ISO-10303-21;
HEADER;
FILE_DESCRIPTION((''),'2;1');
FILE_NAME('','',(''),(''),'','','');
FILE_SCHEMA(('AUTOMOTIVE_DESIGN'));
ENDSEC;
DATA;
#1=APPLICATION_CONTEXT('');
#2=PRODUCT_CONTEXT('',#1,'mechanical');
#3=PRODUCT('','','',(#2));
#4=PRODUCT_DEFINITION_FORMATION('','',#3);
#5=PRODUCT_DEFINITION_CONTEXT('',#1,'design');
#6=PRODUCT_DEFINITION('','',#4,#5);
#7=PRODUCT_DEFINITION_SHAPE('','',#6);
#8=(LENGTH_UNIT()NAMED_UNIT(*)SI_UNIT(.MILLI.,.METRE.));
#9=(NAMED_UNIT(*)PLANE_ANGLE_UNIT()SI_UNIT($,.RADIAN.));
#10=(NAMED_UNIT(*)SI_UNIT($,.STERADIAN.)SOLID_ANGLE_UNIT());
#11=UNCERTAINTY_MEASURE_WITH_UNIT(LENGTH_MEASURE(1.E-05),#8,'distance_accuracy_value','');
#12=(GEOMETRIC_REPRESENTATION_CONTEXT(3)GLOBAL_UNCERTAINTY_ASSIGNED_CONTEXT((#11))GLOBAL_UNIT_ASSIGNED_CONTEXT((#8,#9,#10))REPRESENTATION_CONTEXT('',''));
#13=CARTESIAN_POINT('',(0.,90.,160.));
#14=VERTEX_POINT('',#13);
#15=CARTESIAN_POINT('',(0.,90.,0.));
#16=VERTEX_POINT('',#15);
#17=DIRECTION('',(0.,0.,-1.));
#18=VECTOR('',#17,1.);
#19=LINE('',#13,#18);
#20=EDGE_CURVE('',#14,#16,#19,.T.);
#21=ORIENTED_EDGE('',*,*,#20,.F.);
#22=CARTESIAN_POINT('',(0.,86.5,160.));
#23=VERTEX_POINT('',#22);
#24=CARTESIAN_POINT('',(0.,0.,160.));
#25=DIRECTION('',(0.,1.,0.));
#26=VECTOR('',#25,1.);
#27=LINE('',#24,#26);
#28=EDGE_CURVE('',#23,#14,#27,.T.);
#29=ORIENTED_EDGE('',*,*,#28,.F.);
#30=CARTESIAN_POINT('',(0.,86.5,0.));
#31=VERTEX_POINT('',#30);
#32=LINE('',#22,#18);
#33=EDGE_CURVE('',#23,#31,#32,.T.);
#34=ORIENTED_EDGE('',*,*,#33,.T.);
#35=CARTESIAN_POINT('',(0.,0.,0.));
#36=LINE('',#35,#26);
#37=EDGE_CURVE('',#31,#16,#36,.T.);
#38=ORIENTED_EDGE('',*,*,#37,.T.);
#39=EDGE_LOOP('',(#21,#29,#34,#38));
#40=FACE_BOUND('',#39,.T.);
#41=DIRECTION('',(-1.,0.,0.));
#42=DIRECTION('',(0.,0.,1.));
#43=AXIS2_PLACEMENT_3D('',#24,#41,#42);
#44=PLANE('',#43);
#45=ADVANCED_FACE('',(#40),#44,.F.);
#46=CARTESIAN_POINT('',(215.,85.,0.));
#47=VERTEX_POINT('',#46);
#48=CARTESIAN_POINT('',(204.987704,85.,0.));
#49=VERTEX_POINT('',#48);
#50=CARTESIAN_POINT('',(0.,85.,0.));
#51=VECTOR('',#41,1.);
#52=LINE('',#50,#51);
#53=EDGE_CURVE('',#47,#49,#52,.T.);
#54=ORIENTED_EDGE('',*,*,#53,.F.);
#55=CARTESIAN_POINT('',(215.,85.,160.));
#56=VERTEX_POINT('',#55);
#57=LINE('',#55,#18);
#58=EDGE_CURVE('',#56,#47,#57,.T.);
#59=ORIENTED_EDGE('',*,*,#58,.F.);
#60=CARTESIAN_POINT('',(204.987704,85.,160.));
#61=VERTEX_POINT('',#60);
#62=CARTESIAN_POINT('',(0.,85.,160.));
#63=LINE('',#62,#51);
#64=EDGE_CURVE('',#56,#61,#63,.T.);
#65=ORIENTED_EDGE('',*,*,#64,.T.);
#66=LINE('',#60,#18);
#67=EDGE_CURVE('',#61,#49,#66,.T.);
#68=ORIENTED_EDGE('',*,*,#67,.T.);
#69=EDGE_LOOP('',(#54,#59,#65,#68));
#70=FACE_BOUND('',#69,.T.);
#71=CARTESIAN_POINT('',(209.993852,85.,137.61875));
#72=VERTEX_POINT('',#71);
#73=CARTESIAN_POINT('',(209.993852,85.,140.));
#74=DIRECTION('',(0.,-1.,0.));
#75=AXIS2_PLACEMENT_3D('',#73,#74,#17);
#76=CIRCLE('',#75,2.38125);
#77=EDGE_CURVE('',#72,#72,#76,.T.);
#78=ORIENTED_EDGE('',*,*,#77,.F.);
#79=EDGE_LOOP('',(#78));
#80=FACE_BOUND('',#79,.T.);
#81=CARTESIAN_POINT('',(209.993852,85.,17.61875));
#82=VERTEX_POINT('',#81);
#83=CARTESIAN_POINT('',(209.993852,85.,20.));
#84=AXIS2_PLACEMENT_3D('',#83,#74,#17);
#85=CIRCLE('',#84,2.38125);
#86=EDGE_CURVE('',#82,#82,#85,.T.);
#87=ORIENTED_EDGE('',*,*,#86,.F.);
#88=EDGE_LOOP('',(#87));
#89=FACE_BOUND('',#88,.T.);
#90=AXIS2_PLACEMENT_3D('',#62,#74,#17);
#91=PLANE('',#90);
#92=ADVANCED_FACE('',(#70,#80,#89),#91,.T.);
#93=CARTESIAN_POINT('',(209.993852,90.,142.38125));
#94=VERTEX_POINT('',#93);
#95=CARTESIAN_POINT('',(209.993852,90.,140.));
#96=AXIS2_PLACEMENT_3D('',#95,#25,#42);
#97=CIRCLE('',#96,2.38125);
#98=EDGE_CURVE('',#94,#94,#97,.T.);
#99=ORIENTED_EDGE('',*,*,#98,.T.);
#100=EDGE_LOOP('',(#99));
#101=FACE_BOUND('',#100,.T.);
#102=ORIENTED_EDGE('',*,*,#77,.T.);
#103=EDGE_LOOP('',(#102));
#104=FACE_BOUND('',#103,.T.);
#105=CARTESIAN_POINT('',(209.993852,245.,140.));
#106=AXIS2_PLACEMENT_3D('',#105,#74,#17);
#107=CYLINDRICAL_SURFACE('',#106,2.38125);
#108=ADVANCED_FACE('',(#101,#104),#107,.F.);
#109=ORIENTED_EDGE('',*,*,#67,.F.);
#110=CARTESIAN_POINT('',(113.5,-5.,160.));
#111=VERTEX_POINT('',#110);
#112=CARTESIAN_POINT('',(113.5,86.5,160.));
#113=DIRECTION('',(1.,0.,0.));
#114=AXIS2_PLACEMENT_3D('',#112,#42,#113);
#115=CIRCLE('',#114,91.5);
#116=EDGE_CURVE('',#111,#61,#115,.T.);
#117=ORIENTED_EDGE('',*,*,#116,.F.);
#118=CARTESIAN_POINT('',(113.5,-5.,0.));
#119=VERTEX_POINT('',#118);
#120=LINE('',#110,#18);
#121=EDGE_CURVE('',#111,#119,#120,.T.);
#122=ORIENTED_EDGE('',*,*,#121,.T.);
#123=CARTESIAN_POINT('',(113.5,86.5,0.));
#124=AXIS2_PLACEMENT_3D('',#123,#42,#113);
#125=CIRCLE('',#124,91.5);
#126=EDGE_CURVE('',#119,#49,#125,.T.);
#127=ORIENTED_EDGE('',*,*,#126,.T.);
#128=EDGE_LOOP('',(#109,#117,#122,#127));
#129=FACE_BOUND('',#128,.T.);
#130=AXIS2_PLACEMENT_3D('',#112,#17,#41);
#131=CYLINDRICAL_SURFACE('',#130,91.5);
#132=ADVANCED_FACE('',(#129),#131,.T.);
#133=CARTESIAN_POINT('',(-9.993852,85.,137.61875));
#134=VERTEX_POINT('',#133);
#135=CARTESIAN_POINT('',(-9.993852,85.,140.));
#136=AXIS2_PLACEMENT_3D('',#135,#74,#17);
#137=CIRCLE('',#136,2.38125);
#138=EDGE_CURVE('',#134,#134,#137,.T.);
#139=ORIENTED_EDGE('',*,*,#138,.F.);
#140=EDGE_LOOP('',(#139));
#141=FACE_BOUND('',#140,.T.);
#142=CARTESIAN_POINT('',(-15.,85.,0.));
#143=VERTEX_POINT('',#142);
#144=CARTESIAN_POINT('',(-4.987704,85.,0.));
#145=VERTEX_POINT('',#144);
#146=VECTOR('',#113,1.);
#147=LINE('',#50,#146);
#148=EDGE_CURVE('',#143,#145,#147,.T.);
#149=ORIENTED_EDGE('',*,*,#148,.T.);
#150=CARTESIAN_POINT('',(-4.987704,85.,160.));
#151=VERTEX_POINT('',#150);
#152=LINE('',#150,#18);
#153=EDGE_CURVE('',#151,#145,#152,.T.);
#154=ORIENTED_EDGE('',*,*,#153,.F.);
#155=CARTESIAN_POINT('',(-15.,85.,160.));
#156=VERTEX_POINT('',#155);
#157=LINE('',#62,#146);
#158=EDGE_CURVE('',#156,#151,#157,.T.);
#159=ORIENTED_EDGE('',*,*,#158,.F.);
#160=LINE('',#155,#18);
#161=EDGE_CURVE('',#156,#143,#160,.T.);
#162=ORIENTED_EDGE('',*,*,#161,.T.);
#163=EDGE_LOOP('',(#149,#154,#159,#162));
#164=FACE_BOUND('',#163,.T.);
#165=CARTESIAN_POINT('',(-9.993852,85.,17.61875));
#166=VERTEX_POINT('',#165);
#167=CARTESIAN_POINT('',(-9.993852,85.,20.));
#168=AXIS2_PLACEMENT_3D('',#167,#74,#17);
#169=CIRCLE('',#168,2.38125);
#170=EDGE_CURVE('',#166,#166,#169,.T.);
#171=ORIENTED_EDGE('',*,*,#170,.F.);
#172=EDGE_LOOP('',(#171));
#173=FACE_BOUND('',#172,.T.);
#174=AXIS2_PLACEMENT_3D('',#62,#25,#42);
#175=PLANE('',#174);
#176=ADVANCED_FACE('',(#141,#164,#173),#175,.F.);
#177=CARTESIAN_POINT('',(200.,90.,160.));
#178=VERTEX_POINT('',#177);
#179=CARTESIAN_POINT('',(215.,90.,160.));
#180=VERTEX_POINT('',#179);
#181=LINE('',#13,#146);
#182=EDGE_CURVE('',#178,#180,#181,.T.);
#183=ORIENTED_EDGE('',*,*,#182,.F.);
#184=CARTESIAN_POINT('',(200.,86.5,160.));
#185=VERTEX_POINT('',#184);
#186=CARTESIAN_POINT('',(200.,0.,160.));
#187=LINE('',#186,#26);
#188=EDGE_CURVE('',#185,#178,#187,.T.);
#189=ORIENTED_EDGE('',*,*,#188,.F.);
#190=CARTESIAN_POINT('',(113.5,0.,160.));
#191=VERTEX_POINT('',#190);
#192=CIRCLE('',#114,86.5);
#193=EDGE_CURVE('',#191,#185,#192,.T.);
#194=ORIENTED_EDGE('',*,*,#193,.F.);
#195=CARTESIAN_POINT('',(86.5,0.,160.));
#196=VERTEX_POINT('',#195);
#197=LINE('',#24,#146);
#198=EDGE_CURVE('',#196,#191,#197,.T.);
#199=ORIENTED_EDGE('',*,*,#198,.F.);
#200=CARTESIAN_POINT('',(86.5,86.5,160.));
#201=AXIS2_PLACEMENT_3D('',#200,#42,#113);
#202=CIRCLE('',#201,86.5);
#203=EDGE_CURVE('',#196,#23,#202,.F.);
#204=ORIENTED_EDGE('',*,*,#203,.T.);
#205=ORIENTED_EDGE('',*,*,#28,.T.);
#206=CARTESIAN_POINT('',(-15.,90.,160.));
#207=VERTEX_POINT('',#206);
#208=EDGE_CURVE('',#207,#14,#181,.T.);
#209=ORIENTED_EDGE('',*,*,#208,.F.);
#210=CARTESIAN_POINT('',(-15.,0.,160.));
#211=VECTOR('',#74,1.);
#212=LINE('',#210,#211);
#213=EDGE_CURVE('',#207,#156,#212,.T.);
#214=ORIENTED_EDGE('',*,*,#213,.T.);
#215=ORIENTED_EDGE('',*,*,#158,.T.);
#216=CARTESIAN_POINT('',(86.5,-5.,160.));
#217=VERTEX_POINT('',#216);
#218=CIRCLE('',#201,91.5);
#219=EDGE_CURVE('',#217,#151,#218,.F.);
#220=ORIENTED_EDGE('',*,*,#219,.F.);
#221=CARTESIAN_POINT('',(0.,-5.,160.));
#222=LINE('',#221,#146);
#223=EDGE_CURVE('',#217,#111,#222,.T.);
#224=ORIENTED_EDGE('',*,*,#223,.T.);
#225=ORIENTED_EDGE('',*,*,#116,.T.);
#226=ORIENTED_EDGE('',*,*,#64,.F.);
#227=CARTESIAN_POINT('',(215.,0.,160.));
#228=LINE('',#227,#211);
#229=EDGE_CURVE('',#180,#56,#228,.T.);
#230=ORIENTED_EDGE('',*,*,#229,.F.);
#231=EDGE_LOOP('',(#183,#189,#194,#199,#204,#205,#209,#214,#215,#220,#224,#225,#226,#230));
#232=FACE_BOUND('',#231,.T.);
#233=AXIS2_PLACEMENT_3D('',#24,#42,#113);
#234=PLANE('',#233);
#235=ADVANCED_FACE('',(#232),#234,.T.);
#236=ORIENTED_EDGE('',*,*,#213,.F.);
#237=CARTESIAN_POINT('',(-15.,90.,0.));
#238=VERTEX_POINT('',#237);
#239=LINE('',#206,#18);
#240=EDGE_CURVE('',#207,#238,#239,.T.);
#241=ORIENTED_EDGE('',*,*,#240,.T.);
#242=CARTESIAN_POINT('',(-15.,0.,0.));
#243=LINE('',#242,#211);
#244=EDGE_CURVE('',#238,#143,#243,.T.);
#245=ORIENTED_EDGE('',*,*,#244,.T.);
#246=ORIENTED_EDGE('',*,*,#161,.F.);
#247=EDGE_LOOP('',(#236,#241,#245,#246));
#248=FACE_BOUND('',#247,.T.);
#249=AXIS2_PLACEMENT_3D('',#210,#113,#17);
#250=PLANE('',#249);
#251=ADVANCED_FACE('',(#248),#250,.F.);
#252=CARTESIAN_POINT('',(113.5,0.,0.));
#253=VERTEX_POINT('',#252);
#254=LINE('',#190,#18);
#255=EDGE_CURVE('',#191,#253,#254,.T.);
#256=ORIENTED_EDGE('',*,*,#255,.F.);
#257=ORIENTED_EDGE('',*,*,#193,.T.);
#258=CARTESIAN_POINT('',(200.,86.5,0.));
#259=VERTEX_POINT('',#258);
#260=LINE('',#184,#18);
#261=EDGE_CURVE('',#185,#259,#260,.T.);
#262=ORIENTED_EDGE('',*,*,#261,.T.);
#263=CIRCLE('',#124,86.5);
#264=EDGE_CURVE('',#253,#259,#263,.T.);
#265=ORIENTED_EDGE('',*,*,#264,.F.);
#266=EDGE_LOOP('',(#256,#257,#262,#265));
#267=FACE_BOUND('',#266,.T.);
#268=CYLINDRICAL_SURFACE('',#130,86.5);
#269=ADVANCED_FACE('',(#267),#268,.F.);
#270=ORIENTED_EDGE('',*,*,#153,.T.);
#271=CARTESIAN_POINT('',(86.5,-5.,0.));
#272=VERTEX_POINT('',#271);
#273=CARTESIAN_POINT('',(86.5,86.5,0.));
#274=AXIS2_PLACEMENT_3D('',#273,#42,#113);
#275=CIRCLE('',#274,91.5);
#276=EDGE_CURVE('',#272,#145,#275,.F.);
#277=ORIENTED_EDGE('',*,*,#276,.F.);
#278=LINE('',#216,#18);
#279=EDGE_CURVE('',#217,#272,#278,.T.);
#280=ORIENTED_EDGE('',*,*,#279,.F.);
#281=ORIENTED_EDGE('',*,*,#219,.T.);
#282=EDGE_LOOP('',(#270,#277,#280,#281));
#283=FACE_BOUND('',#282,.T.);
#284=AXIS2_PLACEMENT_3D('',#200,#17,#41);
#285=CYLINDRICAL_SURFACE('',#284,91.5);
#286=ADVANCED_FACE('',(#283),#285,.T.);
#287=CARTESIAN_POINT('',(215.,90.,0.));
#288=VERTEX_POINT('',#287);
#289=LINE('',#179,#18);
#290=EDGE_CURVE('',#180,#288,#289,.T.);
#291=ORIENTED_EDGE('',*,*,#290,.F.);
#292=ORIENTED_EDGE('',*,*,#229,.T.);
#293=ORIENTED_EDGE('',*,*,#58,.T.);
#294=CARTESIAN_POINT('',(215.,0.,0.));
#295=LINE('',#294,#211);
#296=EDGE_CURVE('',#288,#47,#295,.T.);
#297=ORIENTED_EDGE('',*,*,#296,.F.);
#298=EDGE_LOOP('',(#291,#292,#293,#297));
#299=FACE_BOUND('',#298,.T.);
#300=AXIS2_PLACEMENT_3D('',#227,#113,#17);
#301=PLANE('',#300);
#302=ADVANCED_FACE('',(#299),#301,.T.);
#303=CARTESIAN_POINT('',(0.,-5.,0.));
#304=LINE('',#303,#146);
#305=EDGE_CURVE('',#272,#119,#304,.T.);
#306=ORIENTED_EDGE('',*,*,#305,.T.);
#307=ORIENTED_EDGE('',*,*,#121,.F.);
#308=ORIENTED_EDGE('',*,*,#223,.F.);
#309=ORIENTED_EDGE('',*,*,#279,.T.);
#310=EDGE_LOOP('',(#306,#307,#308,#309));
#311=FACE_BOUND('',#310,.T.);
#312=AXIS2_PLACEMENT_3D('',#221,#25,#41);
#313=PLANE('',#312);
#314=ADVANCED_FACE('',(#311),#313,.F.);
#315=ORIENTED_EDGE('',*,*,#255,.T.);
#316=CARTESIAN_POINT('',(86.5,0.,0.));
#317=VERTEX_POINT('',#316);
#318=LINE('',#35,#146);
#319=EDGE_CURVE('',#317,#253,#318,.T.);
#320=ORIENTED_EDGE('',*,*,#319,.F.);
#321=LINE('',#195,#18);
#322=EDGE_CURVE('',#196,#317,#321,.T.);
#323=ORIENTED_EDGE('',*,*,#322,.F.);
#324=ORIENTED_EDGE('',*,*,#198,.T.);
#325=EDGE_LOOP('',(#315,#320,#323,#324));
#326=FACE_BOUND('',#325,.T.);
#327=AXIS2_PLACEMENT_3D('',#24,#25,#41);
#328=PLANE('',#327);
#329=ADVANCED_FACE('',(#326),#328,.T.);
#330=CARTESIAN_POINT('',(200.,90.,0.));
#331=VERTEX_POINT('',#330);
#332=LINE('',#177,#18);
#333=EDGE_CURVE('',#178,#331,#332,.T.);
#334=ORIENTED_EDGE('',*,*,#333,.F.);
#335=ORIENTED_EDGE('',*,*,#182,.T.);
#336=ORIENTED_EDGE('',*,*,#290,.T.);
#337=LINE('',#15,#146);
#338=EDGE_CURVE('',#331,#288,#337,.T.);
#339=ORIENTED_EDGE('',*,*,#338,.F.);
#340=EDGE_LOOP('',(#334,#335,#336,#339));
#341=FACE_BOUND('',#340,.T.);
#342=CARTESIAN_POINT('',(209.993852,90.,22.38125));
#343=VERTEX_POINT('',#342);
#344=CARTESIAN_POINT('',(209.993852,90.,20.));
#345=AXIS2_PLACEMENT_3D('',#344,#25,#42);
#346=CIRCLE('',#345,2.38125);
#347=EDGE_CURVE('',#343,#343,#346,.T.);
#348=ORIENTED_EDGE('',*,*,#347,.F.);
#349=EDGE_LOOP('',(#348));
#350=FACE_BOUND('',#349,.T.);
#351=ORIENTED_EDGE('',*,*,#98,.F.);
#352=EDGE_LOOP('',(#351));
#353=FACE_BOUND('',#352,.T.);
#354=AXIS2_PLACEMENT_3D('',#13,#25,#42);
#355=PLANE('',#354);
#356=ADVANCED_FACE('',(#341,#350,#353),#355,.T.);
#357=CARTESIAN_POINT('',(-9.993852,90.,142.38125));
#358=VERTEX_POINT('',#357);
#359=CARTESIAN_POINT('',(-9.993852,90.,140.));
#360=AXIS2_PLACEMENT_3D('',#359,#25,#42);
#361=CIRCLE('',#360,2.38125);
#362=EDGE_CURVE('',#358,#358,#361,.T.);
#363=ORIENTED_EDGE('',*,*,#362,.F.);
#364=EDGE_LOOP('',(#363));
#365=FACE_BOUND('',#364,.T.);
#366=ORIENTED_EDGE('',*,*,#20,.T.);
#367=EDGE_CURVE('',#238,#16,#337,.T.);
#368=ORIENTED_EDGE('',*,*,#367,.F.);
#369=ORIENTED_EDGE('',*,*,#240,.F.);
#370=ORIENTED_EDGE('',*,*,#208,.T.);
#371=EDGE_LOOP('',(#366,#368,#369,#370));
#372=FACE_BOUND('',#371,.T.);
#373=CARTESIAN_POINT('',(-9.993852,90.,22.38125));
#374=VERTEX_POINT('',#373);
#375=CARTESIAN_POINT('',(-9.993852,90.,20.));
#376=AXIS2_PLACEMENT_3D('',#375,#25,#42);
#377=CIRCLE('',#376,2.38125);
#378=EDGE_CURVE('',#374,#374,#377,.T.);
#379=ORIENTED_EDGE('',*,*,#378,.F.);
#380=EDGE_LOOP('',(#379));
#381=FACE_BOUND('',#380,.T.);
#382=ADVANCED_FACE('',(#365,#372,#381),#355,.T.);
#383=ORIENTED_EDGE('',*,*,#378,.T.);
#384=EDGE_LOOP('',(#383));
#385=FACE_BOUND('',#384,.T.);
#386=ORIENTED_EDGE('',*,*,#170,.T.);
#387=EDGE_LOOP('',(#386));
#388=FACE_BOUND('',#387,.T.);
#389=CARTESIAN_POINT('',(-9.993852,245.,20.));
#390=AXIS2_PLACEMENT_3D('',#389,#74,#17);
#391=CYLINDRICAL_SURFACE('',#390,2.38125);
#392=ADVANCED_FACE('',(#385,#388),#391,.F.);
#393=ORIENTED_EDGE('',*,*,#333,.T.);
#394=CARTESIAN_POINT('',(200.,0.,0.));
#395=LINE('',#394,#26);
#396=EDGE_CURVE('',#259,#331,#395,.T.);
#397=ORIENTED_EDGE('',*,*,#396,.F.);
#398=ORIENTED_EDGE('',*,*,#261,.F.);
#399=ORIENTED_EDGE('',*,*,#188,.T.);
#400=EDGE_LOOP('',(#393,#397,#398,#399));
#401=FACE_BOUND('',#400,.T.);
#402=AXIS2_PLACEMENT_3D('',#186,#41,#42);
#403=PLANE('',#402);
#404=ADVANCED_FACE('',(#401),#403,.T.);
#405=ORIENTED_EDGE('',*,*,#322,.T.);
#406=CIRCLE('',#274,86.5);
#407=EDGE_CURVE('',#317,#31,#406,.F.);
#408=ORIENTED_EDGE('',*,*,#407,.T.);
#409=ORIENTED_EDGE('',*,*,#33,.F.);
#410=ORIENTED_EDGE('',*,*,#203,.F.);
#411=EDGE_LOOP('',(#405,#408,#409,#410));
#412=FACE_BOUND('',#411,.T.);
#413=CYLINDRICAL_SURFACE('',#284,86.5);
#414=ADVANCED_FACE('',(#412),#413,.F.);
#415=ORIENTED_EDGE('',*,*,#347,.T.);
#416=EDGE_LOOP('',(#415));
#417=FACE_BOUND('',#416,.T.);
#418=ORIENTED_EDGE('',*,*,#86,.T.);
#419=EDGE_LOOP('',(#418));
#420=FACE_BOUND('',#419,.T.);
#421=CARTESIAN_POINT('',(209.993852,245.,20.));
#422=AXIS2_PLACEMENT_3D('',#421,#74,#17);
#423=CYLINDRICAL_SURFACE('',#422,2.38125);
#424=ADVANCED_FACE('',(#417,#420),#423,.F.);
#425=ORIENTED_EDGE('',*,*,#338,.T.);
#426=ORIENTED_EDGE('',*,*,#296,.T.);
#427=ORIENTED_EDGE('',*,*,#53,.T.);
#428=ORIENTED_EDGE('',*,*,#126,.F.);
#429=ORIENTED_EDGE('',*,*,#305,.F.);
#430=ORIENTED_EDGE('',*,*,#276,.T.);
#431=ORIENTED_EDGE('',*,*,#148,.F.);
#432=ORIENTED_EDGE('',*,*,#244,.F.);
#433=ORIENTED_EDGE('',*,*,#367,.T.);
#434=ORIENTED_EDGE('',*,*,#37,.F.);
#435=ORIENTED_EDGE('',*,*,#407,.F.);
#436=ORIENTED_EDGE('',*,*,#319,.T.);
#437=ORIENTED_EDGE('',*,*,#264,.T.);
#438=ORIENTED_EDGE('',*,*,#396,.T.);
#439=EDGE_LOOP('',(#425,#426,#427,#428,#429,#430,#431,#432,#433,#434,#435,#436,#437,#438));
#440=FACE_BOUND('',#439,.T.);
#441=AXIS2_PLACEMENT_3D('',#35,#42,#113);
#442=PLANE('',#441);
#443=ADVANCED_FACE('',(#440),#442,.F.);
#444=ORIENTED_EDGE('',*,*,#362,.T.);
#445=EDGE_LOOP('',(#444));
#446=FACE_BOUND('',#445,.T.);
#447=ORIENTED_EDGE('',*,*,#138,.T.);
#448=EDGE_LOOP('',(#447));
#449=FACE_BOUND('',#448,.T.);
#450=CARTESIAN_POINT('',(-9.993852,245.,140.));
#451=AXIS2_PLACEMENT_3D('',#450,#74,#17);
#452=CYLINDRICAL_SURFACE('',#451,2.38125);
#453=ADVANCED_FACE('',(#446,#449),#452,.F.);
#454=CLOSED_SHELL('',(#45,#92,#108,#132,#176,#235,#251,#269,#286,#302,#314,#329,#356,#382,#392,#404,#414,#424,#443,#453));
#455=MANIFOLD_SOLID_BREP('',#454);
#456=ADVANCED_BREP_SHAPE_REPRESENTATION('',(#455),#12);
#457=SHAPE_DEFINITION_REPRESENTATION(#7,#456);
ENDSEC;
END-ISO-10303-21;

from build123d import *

# Parameters (mm, degrees)
BOSS_EXTRUDE1_DEPTH = 160
SKETCH2_R           = 2.38125
CUT_EXTRUDE1_DEPTH  = 160


with BuildPart() as part:
    # Sketch1 → Boss-Extrude1 (new body)
    with BuildSketch(Plane.XY):
        with BuildLine():
            Line((113.5, 0), (86.5, 0))
            ThreePointArc((86.5, 0), (25.335263427, 25.335263427), (0, 86.5))
            Line((0, 86.5), (0, 90))
            Line((0, 90), (-15, 90))
            Line((-15, 90), (-15, 85))
            Line((-15, 85), (-4.987704092, 85))
            ThreePointArc((-4.987704092, 85), (22.332251091, 21.271555285), (86.5, -5))
            Line((86.5, -5), (113.5, -5))
            ThreePointArc((113.5, -5), (177.667748909, 21.271555285), (204.987704092, 85))
            Line((204.987704092, 85), (215, 85))
            Line((215, 85), (215, 90))
            Line((215, 90), (200, 90))
            Line((200, 90), (200, 86.5))
            ThreePointArc((200, 86.5), (174.664736573, 25.335263427), (113.5, 0))
        make_face()
    extrude(amount=BOSS_EXTRUDE1_DEPTH)

    # Sketch2 → Cut-Extrude1 (cut)
    with BuildSketch(Plane.XZ.offset(-85)):
        with BuildLine():
            ThreePointArc((-9.993852046, 142.38125), (-12.375102046, 140), (-9.993852046, 137.61875))
            Line((-9.993852046, 137.61875), (-9.993852046, 142.38125))
        make_face()
        with BuildLine():
            Line((-9.993852046, 142.38125), (-9.993852046, 137.61875))
            ThreePointArc((-9.993852046, 137.61875), (-8.310054023, 138.316201977), (-7.612602046, 140))
            ThreePointArc((-7.612602046, 140), (-8.310054023, 141.683798023), (-9.993852046, 142.38125))
        make_face()
        with Locations((-9.993852046, 20)):
            Circle(SKETCH2_R)
        with Locations((209.993852046, 20)):
            Circle(SKETCH2_R)
        with Locations((209.993852046, 140)):
            Circle(SKETCH2_R)
    extrude(amount=-CUT_EXTRUDE1_DEPTH, mode=Mode.SUBTRACT)


solid = part.part
